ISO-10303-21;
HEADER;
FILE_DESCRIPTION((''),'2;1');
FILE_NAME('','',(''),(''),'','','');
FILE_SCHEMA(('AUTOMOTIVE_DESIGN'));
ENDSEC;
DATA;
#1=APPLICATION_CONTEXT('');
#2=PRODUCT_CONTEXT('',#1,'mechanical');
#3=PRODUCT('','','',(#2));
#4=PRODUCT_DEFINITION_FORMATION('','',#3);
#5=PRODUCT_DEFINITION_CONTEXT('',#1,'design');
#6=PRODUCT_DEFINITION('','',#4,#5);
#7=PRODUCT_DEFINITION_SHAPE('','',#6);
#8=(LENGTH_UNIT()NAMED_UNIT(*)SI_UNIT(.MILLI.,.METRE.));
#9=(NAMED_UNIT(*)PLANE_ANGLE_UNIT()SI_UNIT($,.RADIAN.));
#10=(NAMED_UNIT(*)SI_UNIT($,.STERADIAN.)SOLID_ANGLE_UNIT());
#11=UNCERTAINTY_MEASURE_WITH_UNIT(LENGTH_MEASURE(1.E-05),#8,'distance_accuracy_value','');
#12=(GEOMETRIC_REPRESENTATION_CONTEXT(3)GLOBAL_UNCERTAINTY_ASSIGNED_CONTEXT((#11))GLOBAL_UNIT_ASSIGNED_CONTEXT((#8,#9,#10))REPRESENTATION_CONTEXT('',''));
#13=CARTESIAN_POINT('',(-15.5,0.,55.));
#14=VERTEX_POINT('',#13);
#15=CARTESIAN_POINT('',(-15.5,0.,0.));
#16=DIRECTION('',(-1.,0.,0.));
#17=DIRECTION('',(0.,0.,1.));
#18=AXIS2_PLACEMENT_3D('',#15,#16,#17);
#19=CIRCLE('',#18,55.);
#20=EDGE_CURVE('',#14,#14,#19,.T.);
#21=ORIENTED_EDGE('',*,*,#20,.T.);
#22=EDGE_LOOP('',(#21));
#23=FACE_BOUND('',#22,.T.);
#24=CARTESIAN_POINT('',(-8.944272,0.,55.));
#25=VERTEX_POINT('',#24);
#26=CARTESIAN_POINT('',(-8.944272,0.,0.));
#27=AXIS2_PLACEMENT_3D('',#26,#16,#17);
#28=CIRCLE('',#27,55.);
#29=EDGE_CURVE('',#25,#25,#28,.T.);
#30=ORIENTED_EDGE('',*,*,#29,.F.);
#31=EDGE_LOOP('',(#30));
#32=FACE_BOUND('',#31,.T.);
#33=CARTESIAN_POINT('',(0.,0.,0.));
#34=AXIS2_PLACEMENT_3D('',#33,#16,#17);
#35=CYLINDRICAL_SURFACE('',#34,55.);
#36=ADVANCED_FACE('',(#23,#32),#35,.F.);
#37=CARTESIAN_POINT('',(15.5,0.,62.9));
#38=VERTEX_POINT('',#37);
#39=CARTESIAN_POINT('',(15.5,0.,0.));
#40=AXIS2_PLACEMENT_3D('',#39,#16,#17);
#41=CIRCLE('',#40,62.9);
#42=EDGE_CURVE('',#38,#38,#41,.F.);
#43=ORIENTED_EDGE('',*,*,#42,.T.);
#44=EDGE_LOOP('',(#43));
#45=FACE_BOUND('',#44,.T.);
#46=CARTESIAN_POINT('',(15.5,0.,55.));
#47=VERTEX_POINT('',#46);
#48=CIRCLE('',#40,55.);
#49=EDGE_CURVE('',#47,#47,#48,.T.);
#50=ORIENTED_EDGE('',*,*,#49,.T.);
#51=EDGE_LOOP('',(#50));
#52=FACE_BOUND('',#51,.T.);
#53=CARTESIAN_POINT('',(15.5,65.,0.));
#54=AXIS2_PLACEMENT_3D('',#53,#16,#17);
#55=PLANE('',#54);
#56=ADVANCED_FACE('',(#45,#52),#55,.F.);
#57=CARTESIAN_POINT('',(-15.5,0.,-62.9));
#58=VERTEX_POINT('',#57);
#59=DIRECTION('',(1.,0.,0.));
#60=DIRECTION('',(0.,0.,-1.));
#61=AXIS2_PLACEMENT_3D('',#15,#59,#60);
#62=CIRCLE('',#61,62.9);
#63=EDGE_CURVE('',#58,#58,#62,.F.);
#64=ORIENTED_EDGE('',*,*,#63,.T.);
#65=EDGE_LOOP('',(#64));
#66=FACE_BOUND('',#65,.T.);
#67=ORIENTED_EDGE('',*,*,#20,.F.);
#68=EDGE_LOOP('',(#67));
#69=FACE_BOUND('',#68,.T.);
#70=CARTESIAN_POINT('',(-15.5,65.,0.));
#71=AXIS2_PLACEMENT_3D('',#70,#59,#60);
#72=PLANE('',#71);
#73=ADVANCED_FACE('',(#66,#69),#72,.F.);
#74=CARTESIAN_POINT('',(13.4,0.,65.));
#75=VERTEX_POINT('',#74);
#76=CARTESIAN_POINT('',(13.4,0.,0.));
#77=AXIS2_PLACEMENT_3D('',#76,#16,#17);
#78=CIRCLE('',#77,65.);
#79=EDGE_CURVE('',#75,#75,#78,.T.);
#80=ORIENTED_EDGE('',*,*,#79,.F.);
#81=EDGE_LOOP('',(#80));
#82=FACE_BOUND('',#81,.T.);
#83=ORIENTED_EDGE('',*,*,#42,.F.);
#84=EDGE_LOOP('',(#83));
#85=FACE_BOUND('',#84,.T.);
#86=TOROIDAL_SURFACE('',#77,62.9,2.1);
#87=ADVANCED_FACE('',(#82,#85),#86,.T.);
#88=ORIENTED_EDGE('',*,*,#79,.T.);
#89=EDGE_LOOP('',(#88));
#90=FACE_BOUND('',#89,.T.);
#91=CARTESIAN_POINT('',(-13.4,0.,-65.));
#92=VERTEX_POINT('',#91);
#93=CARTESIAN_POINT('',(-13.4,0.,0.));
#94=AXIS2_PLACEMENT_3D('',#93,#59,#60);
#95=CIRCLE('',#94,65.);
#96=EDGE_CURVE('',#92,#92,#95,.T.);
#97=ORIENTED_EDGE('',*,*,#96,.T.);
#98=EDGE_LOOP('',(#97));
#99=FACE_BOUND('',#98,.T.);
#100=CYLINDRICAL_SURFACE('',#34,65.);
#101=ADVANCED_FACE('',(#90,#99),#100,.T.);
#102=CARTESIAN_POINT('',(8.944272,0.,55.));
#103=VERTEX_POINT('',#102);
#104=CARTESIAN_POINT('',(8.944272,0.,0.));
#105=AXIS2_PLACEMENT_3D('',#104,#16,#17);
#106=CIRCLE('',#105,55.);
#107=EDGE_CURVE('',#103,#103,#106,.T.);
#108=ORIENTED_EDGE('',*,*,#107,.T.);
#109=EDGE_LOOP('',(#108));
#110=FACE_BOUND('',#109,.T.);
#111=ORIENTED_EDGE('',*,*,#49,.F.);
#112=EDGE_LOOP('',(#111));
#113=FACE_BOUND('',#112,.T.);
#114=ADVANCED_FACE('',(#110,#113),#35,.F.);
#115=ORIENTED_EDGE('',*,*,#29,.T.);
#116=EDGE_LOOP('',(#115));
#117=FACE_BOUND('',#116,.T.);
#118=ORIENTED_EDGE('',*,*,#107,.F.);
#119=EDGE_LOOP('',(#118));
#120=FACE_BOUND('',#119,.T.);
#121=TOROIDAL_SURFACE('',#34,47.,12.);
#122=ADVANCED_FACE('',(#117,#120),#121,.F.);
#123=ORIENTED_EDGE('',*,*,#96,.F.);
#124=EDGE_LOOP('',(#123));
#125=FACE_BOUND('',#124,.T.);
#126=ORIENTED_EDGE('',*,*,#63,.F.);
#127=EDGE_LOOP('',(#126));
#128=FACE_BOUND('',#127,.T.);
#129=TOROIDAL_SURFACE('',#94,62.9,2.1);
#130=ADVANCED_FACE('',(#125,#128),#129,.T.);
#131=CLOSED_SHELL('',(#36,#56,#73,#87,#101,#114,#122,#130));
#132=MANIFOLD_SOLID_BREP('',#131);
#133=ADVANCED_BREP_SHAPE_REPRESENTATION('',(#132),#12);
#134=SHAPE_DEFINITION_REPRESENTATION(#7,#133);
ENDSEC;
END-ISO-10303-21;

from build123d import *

# Parameters (mm, degrees)
FILLET1_R = 2.1


with BuildPart() as part:
    # Sketch1 → Revolve1 (revolve)
    with BuildSketch(Plane.XY, mode=Mode.PRIVATE) as revolve1_sk:
        with BuildLine():
            Line((-15.5, 65), (15.5, 65))
            Line((15.5, 65), (15.5, 55))
            Line((15.5, 55), (8.94427191, 55))
            ThreePointArc((8.94427191, 55), (0, 59), (-8.94427191, 55))
            Line((-8.94427191, 55), (-15.5, 55))
            Line((-15.5, 55), (-15.5, 65))
        make_face()
    revolve(revolve1_sk.sketch.rotate(Axis((0, 0, 0), (1, 0, 0)), 90), axis=Axis((0, 0, 0), (1, 0, 0)))

    # Fillet1
    fillet1_edges = [part.edges().sort_by_distance(p)[0] for p in [
        (-15.5, 0, -65),
        (15.5, 0, -65),
    ]]
    fillet(fillet1_edges, radius=FILLET1_R)


solid = part.part
